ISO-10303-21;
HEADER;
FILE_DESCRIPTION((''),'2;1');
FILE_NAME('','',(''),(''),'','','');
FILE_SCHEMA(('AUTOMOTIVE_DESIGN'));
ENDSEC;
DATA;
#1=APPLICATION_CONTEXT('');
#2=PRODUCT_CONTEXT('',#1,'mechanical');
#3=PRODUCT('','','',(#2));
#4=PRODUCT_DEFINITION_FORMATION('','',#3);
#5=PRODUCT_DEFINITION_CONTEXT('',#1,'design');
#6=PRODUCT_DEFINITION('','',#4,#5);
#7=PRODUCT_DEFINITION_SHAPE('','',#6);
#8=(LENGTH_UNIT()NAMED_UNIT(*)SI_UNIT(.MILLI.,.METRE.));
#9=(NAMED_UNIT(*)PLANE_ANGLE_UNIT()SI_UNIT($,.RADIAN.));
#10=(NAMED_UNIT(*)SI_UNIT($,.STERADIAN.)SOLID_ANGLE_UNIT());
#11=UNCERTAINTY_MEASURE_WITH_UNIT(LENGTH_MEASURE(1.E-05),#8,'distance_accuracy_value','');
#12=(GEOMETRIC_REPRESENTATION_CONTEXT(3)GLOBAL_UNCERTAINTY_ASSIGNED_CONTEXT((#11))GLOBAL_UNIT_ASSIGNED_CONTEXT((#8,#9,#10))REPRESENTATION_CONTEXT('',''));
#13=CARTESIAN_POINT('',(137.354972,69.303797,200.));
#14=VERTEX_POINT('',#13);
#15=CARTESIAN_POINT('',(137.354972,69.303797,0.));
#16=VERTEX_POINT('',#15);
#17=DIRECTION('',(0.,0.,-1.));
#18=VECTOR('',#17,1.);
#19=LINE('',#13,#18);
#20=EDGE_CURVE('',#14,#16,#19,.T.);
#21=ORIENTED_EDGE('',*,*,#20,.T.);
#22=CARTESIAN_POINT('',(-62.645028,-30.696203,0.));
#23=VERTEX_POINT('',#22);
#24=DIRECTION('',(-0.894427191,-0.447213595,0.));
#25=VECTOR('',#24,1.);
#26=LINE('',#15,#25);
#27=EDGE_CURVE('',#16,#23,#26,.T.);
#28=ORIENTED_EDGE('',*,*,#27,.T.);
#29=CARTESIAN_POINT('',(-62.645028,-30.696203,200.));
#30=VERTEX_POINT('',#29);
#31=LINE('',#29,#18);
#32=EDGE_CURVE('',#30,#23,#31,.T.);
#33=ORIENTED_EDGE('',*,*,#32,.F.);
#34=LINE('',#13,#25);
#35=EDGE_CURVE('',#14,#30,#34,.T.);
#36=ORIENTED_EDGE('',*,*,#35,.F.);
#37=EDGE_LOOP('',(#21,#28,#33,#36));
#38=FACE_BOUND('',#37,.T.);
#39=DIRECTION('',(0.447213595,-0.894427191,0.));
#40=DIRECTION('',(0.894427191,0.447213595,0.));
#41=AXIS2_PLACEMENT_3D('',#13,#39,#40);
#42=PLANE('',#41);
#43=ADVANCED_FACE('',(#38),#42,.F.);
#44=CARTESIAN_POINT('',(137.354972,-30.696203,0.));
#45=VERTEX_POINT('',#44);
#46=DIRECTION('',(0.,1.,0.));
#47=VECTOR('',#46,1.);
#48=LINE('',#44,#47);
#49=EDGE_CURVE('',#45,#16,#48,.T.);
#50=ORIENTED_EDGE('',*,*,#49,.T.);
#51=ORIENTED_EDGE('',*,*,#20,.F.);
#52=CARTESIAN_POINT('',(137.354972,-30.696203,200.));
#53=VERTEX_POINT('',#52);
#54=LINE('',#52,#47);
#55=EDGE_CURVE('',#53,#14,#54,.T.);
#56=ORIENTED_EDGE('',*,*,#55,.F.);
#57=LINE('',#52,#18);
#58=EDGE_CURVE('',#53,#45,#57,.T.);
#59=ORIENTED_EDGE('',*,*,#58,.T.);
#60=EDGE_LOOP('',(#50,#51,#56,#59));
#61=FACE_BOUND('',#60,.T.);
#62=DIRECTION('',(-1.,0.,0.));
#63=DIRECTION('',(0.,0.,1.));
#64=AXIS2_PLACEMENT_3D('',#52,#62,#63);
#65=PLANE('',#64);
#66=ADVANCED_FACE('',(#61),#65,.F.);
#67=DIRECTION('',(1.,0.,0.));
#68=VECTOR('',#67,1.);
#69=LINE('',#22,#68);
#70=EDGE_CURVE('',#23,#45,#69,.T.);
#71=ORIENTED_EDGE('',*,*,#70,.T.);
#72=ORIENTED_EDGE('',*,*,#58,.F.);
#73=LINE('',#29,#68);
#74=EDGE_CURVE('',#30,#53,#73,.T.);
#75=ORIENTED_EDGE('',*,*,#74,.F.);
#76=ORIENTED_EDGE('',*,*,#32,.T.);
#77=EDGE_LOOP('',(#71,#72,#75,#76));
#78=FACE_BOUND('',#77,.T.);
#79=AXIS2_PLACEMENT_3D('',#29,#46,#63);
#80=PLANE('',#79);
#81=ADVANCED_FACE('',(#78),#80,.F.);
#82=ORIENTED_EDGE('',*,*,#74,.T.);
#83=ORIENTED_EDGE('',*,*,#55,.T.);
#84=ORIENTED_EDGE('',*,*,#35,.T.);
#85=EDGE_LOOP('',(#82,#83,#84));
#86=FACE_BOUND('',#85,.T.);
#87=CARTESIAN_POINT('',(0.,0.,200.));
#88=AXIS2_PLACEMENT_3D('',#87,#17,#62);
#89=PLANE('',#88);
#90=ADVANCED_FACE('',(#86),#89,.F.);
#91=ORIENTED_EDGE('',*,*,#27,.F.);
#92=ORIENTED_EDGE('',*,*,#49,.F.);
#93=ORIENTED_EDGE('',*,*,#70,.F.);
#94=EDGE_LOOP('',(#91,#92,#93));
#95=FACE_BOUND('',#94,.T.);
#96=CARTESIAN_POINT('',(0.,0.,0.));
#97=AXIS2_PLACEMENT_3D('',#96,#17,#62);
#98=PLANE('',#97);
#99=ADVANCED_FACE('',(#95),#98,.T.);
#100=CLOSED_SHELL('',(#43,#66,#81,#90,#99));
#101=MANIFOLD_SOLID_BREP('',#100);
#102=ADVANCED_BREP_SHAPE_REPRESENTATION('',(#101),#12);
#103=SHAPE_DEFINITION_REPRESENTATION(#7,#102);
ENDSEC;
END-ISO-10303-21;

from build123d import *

# Parameters (mm, degrees)
DODANIE_WYCI_GNI_CIE1_DEPTH = 200


with BuildPart() as part:
    # Szkic1 → Dodanie-wyciągnięcie1 (new body)
    with BuildSketch(Plane.XY):
        Polygon((-62.64502772, -30.696202532), (137.35497228, -30.696202532), (137.35497228, 69.303797468), align=None)
    extrude(amount=DODANIE_WYCI_GNI_CIE1_DEPTH)


solid = part.part
